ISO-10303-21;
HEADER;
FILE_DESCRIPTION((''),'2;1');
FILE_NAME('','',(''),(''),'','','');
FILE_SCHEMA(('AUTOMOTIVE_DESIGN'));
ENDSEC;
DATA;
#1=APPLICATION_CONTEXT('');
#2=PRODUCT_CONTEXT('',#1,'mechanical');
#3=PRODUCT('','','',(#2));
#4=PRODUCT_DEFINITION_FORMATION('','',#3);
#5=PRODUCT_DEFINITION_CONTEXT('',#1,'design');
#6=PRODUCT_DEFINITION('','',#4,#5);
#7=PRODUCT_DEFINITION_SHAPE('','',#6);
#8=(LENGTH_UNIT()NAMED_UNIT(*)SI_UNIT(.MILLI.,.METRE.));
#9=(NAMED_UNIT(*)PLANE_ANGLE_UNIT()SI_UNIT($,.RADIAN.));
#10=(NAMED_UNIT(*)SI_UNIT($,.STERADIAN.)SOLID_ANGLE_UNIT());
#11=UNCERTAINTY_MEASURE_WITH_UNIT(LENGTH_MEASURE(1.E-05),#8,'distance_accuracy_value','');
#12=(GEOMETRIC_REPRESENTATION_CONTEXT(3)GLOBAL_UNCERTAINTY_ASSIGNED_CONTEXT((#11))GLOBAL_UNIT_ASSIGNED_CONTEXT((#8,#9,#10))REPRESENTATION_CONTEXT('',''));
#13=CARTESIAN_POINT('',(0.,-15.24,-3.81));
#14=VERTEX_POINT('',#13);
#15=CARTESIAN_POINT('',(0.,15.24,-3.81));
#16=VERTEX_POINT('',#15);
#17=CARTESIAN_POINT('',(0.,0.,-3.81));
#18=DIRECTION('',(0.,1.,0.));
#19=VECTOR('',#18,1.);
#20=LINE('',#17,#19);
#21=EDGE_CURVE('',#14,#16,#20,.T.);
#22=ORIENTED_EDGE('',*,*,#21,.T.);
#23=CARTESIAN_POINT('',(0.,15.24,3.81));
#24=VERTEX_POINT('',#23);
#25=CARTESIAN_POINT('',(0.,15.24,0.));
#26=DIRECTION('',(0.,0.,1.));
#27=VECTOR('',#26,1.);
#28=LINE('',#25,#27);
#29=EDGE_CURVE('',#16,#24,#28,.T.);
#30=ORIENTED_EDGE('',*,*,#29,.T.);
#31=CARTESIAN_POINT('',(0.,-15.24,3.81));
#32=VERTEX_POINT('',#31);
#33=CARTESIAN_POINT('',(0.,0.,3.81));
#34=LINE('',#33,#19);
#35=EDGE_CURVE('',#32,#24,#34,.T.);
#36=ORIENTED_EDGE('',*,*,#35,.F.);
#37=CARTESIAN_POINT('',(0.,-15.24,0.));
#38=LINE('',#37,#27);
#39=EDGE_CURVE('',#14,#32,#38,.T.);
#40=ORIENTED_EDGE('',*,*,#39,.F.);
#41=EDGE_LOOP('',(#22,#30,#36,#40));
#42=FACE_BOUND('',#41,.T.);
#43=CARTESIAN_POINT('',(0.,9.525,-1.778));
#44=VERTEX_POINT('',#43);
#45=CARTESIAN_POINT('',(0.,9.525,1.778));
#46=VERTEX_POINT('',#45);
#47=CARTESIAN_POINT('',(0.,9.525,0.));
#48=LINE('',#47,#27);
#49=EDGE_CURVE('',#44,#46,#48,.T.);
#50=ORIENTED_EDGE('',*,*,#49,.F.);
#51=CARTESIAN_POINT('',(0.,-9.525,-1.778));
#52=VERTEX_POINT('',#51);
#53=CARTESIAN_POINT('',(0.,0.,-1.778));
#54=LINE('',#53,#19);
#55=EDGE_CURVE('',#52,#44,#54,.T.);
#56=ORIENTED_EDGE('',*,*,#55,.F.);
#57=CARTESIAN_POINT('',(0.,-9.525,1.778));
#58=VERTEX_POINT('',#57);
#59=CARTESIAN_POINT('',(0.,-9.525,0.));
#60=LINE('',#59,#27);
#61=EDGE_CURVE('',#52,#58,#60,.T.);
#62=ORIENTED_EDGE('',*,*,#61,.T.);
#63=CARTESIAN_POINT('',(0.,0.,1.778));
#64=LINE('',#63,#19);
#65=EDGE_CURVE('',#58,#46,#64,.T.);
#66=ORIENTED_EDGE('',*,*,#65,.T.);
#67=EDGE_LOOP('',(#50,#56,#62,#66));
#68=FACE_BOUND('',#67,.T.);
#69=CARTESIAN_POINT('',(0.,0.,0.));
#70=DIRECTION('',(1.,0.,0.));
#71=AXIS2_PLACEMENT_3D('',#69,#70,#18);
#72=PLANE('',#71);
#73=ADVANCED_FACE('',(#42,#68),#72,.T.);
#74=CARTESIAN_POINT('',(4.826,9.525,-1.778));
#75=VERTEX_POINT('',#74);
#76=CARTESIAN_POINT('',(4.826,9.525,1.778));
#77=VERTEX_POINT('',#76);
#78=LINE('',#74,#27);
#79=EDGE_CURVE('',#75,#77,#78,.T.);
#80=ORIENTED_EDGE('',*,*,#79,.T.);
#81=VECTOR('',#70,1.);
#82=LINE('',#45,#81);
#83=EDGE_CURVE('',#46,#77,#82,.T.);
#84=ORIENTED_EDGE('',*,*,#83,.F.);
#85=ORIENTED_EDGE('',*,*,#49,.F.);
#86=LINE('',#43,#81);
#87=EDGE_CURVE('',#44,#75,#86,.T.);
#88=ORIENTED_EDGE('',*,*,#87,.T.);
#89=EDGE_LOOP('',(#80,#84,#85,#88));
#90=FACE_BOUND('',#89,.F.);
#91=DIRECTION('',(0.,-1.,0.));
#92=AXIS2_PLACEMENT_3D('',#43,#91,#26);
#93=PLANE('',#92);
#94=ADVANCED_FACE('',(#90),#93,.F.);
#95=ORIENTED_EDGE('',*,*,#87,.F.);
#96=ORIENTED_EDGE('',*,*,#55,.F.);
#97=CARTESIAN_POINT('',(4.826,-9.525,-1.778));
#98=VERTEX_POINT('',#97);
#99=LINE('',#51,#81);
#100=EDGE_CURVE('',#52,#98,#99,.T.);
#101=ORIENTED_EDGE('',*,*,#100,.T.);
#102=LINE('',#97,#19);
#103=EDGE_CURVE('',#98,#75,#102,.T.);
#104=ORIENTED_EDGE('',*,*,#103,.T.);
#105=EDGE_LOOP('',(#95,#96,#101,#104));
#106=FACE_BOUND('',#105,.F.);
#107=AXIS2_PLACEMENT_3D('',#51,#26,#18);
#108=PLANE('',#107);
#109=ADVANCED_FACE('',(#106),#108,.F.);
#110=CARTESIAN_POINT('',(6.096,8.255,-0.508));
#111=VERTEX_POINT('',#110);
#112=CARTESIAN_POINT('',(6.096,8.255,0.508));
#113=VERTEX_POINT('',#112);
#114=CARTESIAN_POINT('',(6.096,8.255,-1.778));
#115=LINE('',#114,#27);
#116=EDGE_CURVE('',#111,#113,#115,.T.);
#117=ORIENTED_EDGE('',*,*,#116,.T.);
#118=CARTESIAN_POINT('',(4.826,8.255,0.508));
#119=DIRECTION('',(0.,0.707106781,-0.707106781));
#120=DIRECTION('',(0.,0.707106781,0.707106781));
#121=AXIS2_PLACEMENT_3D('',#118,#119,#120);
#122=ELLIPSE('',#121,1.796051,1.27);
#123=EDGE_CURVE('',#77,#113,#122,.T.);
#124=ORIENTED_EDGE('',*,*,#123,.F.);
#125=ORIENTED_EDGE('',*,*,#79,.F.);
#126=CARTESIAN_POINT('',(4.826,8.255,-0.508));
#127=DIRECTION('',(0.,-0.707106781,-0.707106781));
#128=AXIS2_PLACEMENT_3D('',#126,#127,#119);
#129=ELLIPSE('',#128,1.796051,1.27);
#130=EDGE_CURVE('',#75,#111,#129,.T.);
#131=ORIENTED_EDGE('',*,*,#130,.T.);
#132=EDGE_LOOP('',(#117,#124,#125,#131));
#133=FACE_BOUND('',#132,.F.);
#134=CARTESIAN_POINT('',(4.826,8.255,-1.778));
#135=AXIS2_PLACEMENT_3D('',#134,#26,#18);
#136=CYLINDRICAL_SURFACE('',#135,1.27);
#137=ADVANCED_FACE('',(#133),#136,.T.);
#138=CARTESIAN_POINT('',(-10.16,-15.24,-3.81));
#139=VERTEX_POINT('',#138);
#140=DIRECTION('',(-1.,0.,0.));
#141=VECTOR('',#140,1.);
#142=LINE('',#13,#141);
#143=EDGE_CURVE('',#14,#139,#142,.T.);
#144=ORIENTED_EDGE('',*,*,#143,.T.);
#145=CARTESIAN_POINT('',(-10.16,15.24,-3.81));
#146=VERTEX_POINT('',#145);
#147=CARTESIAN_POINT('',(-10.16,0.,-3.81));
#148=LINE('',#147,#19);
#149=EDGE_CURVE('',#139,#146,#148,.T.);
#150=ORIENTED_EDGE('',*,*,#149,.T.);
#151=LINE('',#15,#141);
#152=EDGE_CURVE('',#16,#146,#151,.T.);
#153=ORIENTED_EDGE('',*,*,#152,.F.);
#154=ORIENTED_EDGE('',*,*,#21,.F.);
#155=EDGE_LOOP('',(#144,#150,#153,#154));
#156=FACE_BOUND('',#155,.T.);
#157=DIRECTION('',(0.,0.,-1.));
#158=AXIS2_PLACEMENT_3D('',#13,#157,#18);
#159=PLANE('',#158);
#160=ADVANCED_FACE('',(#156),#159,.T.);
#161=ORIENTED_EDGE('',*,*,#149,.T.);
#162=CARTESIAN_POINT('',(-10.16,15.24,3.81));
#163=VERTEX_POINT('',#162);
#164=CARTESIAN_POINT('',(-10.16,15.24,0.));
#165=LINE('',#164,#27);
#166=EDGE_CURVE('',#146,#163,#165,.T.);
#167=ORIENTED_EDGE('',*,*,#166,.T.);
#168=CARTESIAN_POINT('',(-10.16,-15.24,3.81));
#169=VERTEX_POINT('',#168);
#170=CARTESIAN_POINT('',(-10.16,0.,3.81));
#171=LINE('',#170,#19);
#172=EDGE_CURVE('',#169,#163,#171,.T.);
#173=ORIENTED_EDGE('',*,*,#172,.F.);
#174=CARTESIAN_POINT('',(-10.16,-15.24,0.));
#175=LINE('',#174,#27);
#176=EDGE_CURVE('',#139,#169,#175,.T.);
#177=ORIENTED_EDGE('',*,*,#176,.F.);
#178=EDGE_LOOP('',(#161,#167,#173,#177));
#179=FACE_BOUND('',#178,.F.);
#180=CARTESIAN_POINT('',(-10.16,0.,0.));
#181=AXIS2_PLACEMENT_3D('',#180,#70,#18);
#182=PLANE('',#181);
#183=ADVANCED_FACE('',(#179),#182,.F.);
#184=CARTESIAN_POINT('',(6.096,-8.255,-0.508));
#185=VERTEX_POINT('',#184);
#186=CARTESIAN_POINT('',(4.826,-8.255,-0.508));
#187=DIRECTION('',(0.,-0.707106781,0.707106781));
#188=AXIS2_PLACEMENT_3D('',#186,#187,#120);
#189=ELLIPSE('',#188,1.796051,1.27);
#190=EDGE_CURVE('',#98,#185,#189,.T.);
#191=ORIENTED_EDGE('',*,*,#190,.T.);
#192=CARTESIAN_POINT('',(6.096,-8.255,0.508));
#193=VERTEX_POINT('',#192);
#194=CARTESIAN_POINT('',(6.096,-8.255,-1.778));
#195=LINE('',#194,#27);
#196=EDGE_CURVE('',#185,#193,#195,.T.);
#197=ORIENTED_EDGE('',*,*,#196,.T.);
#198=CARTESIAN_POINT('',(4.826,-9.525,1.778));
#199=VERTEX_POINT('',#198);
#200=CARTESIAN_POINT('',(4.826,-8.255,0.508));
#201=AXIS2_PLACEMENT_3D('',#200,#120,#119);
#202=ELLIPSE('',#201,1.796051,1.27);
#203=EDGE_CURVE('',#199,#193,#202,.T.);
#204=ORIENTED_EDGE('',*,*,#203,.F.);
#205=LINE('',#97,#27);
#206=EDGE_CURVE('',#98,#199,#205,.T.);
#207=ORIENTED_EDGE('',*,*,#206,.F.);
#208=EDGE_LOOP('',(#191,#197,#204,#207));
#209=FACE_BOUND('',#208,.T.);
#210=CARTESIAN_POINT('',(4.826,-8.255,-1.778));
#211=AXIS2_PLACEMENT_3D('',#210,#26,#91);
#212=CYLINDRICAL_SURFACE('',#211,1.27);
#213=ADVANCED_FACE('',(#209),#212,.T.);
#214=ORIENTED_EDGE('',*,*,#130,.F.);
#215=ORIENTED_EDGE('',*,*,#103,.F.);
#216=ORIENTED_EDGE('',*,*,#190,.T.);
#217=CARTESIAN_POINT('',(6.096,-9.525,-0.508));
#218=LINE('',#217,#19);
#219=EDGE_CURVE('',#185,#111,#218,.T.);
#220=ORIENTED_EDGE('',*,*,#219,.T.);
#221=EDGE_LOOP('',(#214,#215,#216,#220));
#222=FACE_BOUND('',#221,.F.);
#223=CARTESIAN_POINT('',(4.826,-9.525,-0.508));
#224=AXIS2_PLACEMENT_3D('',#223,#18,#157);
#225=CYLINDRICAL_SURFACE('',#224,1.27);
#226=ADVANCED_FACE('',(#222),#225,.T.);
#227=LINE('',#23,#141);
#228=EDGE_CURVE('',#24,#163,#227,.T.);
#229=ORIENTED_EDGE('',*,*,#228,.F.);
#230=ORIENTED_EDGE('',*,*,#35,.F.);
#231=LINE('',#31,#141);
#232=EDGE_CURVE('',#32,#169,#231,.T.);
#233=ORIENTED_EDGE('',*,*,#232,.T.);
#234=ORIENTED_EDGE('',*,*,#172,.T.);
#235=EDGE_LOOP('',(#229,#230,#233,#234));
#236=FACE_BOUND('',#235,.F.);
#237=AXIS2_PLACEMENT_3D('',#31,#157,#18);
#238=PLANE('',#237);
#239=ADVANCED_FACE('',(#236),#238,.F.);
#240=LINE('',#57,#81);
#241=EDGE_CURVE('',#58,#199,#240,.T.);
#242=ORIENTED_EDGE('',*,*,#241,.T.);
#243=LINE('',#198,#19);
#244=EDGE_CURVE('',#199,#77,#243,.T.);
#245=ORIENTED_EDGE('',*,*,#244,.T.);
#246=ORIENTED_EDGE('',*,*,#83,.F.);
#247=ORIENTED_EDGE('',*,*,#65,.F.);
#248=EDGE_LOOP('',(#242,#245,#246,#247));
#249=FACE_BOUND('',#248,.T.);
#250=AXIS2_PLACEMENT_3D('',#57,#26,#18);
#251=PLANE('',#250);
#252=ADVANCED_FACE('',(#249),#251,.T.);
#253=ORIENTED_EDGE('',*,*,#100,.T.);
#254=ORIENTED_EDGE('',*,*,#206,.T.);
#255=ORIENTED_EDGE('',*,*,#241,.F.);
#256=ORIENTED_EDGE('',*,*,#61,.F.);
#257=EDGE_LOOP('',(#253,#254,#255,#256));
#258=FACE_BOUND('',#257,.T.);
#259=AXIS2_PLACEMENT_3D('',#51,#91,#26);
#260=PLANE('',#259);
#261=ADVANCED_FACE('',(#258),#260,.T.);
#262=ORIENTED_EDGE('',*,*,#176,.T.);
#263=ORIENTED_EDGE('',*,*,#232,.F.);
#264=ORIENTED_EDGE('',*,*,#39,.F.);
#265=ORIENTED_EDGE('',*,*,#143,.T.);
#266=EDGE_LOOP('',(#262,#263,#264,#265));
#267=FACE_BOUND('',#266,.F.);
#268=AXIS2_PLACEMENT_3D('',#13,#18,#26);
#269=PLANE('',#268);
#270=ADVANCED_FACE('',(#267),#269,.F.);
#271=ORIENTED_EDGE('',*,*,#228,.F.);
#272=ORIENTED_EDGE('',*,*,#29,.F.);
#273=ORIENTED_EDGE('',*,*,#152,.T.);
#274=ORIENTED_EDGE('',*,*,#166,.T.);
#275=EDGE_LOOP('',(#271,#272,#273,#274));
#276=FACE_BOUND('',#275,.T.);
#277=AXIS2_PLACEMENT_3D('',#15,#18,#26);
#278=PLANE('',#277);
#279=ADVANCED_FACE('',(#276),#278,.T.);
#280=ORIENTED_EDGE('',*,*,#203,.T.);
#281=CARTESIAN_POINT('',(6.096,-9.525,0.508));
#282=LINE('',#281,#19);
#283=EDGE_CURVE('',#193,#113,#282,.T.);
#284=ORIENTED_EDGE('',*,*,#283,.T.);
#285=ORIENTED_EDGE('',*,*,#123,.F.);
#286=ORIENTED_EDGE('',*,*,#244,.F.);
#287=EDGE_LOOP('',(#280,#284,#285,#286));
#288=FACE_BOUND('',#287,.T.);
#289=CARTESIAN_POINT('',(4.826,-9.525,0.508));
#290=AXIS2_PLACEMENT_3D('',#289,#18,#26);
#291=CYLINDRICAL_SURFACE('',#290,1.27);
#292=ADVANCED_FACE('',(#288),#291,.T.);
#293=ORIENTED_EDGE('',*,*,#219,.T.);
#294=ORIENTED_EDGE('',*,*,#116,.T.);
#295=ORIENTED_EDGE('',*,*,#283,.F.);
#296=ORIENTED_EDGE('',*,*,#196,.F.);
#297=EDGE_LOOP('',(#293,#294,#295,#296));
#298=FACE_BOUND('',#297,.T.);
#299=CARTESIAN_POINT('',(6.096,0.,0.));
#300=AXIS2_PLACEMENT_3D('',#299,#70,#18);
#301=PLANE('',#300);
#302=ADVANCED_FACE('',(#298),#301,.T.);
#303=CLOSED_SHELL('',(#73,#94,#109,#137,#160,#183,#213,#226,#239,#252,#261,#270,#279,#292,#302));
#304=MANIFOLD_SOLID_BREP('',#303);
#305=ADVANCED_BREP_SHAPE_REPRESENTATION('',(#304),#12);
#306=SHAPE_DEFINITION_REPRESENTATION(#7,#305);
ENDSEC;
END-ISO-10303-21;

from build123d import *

# Parameters (mm, degrees)
F0_W     = 30.48
F0_H     = 7.62
F0_W_2   = 19.05
F0_H_2   = 3.556
F1_DEPTH = 10.16
F2_W     = 19.05
F2_H     = 3.556
F3_DEPTH = 6.096
F4_R     = 1.27


with BuildPart() as f1:
    # F0 (on Right) → F1 (new body)
    with BuildSketch(Plane.YZ):
        Rectangle(F0_W, F0_H)
        Rectangle(F0_W_2, F0_H_2, mode=Mode.SUBTRACT)
        Rectangle(F0_W_2, F0_H_2)
    extrude(amount=-F1_DEPTH)

    # F2 (on face) → F3 (join)
    with BuildSketch(Plane.YZ):
        Rectangle(F2_W, F2_H)
    extrude(amount=F3_DEPTH)

    # F4
    f4_edges = [f1.edges().sort_by_distance(p)[0] for p in [
        (6.096, 0, 1.778),
        (6.096, -9.525, 0),
        (6.096, 0, -1.778),
        (6.096, 9.525, 0),
    ]]
    fillet(f4_edges, radius=F4_R)


solid = f1.part
